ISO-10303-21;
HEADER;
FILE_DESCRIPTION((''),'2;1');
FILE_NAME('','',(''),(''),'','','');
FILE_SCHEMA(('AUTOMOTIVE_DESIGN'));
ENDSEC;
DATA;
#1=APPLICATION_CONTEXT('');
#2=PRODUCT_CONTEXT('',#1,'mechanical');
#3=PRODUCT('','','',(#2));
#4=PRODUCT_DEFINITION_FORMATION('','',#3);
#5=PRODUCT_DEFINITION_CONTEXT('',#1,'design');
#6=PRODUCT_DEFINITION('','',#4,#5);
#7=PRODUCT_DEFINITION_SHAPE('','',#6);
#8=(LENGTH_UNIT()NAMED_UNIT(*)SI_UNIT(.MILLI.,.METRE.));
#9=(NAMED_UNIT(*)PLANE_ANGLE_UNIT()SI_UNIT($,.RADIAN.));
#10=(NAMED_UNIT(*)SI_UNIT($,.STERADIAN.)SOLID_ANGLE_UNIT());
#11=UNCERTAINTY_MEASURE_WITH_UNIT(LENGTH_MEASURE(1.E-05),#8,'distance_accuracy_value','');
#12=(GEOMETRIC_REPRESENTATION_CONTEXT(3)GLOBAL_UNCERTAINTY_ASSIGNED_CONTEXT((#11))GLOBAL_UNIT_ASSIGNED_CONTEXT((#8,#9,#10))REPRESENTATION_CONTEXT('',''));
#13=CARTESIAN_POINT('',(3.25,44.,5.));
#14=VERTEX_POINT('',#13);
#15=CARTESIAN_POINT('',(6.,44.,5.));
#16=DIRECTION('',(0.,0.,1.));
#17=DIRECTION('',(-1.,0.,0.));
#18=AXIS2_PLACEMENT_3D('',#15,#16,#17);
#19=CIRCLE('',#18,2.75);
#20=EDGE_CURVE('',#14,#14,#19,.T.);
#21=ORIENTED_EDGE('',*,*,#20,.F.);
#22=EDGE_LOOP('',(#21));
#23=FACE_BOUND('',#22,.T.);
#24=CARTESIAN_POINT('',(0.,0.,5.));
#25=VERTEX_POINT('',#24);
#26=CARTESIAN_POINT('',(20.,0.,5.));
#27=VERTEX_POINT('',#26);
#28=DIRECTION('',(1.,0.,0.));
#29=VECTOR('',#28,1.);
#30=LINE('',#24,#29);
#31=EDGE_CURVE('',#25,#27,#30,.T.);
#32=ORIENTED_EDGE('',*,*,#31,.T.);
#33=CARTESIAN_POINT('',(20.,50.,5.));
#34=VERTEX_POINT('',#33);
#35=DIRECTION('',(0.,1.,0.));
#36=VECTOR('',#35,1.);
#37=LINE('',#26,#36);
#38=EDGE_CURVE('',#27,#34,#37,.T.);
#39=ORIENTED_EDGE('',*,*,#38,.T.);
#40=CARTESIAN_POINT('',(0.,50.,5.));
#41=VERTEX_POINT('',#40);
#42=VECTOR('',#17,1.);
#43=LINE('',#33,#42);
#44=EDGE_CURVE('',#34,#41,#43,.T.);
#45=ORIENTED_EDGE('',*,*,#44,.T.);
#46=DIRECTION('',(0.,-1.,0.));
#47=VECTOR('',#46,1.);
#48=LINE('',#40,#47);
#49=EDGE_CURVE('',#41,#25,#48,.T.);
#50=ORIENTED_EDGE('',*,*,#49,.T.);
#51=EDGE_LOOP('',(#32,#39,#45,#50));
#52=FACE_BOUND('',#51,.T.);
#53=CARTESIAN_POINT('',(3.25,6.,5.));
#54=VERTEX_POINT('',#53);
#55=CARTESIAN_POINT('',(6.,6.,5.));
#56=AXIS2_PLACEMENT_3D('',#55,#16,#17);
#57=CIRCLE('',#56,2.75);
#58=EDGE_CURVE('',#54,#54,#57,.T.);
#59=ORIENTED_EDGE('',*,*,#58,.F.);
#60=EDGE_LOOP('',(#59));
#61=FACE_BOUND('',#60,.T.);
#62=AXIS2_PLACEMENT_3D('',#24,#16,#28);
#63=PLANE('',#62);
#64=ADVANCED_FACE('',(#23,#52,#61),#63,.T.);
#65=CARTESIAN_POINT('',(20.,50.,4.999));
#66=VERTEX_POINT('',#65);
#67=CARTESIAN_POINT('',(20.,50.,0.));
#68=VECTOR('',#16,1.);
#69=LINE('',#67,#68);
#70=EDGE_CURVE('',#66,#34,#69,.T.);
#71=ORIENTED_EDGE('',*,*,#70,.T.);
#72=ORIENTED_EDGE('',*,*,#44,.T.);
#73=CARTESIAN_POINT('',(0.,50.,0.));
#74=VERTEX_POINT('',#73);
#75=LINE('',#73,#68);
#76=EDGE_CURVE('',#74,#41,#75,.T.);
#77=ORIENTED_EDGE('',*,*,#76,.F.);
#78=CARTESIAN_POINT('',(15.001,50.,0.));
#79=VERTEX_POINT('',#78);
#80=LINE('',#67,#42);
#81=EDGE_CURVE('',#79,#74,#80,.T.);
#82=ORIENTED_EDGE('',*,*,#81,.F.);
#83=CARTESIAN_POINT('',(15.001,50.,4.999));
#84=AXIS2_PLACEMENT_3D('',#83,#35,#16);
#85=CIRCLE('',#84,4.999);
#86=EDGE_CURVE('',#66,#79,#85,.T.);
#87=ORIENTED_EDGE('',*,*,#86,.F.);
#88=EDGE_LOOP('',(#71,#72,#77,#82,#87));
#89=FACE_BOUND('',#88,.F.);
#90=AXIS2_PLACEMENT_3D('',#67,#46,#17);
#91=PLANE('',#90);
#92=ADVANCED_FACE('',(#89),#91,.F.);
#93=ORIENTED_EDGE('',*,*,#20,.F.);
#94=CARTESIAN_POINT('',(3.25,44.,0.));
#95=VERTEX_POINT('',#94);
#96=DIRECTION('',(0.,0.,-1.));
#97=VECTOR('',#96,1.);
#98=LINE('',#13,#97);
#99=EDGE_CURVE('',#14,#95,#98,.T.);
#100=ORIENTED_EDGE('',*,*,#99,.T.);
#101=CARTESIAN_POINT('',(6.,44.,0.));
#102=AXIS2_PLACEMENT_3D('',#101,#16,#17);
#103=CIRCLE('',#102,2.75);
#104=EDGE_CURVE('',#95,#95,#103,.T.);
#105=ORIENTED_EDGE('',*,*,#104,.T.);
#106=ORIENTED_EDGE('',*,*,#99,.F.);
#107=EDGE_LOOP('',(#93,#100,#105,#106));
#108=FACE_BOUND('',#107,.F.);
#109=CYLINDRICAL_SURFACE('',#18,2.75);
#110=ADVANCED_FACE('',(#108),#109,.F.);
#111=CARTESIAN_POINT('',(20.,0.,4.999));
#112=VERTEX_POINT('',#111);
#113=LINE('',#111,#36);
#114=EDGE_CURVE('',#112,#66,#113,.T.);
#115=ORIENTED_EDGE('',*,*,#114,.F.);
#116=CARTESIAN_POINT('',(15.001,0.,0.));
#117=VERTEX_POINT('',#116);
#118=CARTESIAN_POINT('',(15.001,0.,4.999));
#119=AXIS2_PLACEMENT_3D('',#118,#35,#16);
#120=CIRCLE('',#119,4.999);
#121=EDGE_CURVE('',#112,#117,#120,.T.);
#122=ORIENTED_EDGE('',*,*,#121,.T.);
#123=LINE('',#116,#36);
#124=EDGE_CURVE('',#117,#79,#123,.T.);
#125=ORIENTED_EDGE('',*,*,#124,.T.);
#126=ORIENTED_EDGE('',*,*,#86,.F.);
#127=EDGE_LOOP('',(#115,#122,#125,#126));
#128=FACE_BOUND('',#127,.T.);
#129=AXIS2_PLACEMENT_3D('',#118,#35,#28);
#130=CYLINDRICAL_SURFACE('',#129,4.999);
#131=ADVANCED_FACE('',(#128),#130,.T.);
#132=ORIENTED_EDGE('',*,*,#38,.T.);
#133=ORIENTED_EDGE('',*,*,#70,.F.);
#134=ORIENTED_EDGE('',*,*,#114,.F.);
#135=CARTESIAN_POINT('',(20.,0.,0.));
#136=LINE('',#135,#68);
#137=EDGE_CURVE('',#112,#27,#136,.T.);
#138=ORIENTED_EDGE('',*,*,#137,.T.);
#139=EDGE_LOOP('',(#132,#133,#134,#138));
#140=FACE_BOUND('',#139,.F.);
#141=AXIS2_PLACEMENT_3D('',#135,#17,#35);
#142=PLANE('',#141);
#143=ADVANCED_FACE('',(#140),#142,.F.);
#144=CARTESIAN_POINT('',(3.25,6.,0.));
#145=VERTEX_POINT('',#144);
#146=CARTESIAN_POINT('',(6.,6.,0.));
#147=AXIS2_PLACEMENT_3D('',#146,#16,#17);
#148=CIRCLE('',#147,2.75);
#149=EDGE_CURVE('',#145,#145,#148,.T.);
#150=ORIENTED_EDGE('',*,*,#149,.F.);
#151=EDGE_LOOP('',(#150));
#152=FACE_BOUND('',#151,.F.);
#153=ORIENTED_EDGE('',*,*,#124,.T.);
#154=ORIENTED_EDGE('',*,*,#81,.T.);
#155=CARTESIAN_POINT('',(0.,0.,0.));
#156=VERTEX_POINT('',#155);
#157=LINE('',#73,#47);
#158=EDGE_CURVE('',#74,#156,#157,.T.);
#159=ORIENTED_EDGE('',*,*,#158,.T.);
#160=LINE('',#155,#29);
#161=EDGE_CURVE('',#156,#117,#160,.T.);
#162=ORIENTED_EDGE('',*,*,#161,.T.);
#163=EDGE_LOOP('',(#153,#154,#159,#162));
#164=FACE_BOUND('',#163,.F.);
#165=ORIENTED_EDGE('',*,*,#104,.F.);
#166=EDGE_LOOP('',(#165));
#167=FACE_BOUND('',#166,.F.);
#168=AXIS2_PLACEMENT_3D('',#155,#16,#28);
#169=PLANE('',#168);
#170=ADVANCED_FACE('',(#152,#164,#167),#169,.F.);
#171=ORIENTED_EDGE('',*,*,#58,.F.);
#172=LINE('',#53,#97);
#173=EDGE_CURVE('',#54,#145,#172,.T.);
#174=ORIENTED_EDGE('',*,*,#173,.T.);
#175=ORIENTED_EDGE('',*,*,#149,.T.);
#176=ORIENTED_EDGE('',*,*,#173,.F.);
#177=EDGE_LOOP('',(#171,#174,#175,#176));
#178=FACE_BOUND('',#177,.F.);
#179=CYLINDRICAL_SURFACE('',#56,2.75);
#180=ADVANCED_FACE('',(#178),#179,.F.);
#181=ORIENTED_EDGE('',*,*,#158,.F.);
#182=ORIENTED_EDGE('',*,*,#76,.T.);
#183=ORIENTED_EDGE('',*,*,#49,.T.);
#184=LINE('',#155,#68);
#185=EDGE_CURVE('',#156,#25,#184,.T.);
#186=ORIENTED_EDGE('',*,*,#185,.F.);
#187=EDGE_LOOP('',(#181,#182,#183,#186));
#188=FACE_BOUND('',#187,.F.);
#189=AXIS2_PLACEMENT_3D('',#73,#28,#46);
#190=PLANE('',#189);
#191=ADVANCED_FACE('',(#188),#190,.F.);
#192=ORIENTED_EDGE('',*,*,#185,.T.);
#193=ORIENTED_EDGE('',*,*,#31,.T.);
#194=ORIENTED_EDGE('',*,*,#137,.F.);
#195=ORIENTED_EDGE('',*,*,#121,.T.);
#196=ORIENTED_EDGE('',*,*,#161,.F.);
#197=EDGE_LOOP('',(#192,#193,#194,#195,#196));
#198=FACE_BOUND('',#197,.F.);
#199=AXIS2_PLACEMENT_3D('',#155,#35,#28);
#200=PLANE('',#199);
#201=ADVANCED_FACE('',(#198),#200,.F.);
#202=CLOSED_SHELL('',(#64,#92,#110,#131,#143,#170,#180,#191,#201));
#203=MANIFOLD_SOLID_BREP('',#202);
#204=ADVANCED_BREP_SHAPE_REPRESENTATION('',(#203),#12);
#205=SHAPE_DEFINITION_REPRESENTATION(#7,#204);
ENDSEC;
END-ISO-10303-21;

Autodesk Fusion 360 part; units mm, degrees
sketch "Sketch3" plane through (0, 0, 0) normal (0, 0, 1) x (1, 0, 0)
  line L0 (0, 0) -> (20, 0)
  line L1 (20, 0) -> (20, 50)
  line L2 (20, 50) -> (0, 50)
  line L3 (0, 50) -> (0, 0)
  dimension "d19" = 20
  dimension "d20" = 50
extrude "Extrude1" add sketch "Sketch3" along normal blind 5
fillet "Fillet2" radius 5 1 edges at (20, 25, 0)
sketch "Sketch7" plane through (0, 0, 5) normal (0, 0, 1) x (-1, 0, 0)
  line L0 (0, -50) -> (0, 0)
  line L1 (0, 0) -> (-20, 0)
  line L2 (-20, 0) -> (-20, -50)
  line L3 (-20, -50) -> (0, -50)
  circle A0 centre (-6, -6) radius 2.75
  circle A1 centre (-6, -44) radius 2.75
  dimension "d47" = 5.5
  dimension "d48" = 5.5
  dimension "d49" = 6
  dimension "d50" = 6
  dimension "d51" = 6
  dimension "d52" = 6
extrude "Extrude5" cut sketch "Sketch7" against normal blind 5 contours A0 | A1
